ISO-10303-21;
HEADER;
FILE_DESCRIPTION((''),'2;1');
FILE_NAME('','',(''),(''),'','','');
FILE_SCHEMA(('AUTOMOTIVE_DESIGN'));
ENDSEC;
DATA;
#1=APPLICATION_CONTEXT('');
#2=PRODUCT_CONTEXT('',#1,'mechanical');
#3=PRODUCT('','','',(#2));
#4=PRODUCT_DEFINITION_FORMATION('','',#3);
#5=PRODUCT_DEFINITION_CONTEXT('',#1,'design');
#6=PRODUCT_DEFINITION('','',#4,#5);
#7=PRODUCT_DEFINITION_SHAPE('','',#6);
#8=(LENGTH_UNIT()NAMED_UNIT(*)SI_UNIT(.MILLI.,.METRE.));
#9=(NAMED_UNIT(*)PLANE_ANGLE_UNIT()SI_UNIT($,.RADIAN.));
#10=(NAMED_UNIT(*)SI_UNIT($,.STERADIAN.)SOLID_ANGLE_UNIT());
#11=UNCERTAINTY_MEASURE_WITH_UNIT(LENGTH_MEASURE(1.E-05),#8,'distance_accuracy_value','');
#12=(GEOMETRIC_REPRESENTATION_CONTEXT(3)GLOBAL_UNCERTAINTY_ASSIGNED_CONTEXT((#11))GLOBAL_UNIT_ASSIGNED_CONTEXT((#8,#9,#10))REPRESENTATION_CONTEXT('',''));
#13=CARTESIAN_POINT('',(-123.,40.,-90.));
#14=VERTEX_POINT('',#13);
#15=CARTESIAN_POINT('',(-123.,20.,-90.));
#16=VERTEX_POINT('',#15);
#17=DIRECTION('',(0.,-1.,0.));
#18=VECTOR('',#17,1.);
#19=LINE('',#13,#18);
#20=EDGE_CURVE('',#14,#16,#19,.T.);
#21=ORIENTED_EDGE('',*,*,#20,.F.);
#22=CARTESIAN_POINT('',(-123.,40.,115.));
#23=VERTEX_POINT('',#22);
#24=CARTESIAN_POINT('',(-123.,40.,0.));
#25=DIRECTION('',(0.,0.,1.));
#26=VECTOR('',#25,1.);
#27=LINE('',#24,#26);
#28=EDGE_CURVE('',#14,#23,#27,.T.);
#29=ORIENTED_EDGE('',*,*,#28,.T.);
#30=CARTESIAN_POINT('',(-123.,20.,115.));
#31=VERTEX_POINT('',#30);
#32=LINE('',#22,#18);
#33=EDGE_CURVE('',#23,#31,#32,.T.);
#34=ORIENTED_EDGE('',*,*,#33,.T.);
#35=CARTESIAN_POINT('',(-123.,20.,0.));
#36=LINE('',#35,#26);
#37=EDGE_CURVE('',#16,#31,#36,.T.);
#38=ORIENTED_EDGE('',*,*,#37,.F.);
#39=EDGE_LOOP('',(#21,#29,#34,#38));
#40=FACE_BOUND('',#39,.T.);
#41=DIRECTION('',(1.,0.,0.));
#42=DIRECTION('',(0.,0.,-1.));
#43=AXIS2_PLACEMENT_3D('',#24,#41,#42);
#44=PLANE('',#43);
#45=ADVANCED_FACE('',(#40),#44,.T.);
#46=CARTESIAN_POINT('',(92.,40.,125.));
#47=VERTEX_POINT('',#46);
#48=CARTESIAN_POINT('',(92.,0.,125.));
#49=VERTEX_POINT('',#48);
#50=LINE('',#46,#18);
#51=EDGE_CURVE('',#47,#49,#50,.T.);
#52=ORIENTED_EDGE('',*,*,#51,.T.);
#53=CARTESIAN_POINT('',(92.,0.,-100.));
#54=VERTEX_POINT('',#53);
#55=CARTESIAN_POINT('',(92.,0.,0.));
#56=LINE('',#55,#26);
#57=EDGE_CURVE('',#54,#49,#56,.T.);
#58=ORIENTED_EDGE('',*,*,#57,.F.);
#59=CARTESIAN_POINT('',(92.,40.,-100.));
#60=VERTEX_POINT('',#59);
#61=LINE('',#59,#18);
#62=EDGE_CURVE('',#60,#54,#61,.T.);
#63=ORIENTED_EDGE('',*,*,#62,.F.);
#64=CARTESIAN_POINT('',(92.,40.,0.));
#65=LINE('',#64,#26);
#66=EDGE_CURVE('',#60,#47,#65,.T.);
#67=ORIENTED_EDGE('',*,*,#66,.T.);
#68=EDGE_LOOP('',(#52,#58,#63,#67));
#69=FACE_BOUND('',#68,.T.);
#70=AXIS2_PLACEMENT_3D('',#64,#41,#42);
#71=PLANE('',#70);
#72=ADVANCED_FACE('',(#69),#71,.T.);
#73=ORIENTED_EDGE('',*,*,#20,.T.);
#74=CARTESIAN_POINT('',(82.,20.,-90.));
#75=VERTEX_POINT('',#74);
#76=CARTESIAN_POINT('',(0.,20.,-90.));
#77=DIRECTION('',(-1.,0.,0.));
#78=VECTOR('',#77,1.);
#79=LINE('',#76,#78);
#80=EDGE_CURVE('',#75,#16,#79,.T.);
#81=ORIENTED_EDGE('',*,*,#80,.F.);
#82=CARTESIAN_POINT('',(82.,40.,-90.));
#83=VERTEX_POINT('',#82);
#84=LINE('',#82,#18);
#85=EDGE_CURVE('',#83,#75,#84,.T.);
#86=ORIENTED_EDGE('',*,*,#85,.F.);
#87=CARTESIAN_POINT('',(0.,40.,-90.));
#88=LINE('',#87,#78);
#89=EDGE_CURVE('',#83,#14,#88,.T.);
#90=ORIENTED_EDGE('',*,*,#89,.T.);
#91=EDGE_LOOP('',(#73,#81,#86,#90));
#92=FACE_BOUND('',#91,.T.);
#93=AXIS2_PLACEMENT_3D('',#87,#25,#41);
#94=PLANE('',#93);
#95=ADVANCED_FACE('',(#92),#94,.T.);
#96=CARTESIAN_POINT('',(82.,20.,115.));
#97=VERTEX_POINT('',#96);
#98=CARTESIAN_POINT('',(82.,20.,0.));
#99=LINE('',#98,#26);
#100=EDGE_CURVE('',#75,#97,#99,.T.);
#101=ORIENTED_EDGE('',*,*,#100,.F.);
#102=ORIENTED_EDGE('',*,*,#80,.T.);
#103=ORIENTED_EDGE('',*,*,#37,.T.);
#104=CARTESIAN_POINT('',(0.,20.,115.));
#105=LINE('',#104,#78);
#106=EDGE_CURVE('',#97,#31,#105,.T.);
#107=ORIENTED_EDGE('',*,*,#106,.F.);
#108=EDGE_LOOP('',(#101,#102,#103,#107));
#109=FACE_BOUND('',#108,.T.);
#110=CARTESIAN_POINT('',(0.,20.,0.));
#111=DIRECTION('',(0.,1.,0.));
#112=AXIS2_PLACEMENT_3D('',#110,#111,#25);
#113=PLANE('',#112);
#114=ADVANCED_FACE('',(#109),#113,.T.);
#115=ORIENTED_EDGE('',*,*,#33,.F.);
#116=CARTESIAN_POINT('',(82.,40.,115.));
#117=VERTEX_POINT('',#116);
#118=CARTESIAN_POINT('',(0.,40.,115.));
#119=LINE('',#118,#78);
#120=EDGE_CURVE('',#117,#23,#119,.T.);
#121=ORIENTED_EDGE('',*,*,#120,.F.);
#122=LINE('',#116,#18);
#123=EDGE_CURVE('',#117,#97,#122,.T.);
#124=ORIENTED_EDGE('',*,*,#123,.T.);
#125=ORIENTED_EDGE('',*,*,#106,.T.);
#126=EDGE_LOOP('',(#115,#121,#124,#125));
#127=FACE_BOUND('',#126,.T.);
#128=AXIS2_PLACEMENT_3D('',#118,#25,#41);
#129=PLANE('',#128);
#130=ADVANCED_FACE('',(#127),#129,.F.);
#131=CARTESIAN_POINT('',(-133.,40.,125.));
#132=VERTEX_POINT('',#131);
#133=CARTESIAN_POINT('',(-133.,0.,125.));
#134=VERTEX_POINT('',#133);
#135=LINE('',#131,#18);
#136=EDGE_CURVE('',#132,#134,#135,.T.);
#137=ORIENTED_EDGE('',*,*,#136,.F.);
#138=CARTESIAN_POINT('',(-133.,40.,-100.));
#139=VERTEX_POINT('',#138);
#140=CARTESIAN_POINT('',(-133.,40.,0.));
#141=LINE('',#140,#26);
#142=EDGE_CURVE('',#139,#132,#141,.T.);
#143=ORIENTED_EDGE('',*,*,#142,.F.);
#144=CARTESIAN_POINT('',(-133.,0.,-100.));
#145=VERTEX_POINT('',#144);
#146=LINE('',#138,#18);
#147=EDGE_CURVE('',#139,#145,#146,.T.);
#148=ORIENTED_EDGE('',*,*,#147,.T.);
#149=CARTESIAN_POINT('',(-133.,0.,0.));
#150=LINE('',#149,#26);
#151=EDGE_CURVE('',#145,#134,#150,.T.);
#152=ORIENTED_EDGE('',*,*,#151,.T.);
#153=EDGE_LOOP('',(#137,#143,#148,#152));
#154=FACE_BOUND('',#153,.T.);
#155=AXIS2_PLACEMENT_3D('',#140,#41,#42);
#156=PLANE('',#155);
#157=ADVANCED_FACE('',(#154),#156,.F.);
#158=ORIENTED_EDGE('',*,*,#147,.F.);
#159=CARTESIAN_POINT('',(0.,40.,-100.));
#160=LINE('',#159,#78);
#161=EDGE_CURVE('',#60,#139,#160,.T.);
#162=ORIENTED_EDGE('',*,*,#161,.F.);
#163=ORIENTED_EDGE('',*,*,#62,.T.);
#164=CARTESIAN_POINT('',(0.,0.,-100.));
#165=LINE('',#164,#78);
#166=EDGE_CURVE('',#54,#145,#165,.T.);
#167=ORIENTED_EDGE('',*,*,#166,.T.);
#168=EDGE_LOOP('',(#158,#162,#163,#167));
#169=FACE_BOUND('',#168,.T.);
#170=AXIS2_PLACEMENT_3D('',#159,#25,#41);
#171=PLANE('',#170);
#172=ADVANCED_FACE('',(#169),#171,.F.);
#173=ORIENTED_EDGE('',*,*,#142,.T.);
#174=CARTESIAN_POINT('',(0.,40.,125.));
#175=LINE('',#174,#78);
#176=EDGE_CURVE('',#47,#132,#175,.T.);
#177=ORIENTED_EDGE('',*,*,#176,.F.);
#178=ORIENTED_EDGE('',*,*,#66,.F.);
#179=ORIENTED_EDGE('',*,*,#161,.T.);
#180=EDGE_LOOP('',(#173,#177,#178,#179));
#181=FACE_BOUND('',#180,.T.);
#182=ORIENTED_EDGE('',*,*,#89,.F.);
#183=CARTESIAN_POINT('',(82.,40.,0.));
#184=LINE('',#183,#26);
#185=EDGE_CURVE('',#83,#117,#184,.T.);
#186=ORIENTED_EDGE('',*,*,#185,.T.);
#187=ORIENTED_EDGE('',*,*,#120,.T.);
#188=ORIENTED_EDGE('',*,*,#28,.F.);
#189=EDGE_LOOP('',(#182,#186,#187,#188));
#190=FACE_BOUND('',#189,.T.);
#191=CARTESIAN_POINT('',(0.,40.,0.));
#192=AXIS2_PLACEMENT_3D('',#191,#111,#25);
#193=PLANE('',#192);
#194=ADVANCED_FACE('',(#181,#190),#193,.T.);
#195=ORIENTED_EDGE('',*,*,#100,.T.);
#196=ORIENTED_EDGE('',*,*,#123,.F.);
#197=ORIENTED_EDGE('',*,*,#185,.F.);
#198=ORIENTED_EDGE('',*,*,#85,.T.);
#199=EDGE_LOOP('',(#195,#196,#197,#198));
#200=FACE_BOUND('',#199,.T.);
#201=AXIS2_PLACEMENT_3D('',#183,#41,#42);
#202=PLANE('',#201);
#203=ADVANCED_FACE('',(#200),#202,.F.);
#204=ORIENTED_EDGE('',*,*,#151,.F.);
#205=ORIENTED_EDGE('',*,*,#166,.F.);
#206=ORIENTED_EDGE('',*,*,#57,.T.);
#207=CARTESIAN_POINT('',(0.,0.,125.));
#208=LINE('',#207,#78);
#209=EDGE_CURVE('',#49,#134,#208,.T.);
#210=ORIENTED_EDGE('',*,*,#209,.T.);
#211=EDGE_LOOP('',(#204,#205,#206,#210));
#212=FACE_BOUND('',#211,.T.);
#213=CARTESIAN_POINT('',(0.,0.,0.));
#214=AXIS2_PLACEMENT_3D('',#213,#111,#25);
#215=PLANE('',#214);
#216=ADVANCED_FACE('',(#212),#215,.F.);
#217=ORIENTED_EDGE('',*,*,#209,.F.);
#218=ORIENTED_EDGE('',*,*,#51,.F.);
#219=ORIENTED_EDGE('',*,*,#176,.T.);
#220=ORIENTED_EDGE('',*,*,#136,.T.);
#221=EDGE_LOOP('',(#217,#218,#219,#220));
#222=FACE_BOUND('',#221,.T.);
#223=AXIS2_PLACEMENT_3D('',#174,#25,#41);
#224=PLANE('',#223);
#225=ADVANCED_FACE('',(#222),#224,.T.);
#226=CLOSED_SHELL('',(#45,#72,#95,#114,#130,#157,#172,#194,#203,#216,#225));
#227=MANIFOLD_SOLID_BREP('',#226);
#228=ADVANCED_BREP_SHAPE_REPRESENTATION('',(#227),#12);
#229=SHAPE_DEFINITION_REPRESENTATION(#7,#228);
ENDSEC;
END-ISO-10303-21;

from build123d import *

# Parameters (mm, degrees)
SKETCH1_W           = 225
SKETCH1_H           = 225
SKETCH1_W_2         = 205
SKETCH1_H_2         = 205
WALLS_DEPTH         = 40
SKETCH1_5_W         = 205
SKETCH1_5_H         = 205
BOSS_EXTRUDE2_DEPTH = 20


with BuildPart() as part:
    # Sketch1 → Walls (new body)
    with BuildSketch(Plane(origin=(0, 0, 0), x_dir=(1, 0, 0), z_dir=(0, 1, 0))):
        with Locations((-20.5, -12.5)):
            Rectangle(SKETCH1_W, SKETCH1_H)
        with Locations((-20.5, -12.5)):
            Rectangle(SKETCH1_W_2, SKETCH1_H_2, mode=Mode.SUBTRACT)
    extrude(amount=WALLS_DEPTH)

    # Sketch1<5> → Boss-Extrude2 (add)
    with BuildSketch(Plane(origin=(0, 0, 0), x_dir=(1, 0, 0), z_dir=(0, 1, 0))):
        with Locations((-20.5, -12.5)):
            Rectangle(SKETCH1_5_W, SKETCH1_5_H)
    extrude(amount=BOSS_EXTRUDE2_DEPTH)


solid = part.part
